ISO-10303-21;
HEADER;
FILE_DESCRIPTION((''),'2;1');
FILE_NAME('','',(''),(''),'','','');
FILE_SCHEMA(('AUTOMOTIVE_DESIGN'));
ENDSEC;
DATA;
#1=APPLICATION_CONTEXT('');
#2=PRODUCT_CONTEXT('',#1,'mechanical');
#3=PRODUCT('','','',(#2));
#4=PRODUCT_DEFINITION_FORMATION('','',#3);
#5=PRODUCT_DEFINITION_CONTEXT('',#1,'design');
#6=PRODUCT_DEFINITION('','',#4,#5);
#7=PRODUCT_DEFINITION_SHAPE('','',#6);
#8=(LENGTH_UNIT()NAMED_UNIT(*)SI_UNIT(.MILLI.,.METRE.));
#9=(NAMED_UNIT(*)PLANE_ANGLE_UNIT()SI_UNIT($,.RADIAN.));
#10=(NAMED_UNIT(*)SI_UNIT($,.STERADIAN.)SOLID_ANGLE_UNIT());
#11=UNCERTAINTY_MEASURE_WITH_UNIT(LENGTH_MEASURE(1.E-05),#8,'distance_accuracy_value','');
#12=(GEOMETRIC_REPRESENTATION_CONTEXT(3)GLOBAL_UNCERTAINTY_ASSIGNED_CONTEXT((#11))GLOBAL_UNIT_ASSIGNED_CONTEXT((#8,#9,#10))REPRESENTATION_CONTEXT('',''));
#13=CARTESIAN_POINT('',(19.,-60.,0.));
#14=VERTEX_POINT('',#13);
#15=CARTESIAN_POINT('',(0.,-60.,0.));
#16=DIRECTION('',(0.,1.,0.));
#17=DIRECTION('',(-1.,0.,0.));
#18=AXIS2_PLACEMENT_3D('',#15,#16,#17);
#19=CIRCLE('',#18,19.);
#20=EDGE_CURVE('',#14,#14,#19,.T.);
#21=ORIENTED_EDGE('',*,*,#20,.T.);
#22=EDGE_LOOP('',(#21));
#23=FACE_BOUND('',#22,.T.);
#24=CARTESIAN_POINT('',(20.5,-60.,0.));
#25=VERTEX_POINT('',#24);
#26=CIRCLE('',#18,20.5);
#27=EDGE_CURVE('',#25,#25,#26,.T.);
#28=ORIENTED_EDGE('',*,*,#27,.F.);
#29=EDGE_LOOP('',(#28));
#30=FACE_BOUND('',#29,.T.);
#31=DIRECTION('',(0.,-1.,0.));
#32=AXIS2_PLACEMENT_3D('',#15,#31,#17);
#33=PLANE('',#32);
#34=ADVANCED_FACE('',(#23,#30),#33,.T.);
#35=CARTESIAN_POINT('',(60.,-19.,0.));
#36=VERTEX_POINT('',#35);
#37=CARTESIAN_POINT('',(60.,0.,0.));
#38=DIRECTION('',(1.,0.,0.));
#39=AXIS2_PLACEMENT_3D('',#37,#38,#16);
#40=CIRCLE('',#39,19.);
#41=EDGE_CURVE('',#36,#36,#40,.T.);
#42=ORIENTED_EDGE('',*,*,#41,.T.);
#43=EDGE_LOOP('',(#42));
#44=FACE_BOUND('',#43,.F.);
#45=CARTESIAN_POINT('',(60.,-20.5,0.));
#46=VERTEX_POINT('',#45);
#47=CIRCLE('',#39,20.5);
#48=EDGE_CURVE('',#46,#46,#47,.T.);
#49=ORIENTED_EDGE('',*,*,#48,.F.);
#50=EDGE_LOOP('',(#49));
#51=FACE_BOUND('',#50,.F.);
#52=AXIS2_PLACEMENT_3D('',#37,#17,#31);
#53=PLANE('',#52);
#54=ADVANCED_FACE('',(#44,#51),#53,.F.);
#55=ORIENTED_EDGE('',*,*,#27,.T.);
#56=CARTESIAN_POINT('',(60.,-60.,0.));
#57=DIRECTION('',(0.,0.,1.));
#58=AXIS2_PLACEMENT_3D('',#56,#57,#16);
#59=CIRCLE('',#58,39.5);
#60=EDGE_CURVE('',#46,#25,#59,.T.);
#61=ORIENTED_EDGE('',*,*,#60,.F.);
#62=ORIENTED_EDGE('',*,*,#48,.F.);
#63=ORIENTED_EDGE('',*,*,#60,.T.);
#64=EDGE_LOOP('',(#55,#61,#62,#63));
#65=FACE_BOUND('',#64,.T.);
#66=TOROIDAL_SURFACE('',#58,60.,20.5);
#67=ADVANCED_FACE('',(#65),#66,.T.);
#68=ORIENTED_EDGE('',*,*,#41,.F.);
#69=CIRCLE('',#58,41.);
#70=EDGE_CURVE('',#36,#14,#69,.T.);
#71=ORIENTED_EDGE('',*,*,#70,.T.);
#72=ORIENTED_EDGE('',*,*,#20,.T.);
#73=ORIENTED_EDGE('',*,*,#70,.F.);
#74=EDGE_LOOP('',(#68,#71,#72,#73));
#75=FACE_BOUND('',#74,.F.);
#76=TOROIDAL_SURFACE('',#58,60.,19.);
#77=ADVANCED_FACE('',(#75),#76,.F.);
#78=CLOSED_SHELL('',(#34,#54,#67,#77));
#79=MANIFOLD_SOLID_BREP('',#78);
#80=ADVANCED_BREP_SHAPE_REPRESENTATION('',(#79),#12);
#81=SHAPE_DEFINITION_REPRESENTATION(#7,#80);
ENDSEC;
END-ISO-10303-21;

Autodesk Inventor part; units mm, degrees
ref_plane "YZ Plane" through (0, 0, 0) normal (1, 0, 0) x (0, 1, 0)
ref_plane "XZ Plane" through (0, 0, 0) normal (0, 1, 0) x (-1, 0, 0)
sketch "Szkic6" plane through (0, 0, 0) normal (0, 0, 1) x (1, 0, 0)
  line L0 (-29.6067, 0) -> (35.2678, 0) construction
  line L1 (0, 42.3419) -> (0, -58.3726) construction
  arc A0 (60, 0) -> (0, -60) centre (60, -60) ccw
  line L2 (0, -60) -> (60, -60) construction
  line L3 (60, -60) -> (60, 5.5331) construction
  line L4 (60, 0) -> (60, 0)
  line L5 (0, -60) -> (0, -60)
  point P0 (0, 0)
  dimension "d24" = 60
  dimension "d31" = 90
  dimension "d36" = 0
  dimension "d37" = 0
ref_plane "Płaszczyzna konstrukcyjna2" through (0, -60, 0) normal (0, -1, 0) x (1, 0, 0)
sketch "Szkic8" plane through (0, -60, 0) normal (0, -1, 0) x (1, 0, 0)
  circle A0 centre (0, 0) radius 20.5
  circle A1 centre (0, 0) radius 19
  dimension "d32" = 41
  dimension "d33" = 1.5
sweep "Przeciągnięcie2" add profiles "Szkic8" path "Szkic6"
equation "\"d32\" = OD"
equation "\"d33\" = THK"
equation "\"d24\" = R"
equation "\"d31\" = KAT"
equation "\"SzerokośćGięciaPodcięcia\" = Grubość"
equation "\"RozmiarPodcięciaNarożnika\" = 4 * Grubość"
equation "\"PromieńPrzejścia\" = PromieńGięcia"
equation "\"Rozmiar_promienia_Jacobiego\" = PromieńGięcia"
equation "\"Wielk_odstępu\" = Grubość"
equation "\"d2\" = PromieńGięcia"
equation "\"d23\" = PromieńGięcia"
equation "\"R\" = 60"
equation "\"OD\" = 41"
equation "\"THK\" = 1.5"
equation "\"KAT\" = 90deg"
equation "\"PROSTKA\" = 0"
equation "\"Grubość\" = 1.5"
equation "\"PromieńGięcia\" = 3"
properties part number "Kolano 90° ø41x1,5 R60" material "304L"
